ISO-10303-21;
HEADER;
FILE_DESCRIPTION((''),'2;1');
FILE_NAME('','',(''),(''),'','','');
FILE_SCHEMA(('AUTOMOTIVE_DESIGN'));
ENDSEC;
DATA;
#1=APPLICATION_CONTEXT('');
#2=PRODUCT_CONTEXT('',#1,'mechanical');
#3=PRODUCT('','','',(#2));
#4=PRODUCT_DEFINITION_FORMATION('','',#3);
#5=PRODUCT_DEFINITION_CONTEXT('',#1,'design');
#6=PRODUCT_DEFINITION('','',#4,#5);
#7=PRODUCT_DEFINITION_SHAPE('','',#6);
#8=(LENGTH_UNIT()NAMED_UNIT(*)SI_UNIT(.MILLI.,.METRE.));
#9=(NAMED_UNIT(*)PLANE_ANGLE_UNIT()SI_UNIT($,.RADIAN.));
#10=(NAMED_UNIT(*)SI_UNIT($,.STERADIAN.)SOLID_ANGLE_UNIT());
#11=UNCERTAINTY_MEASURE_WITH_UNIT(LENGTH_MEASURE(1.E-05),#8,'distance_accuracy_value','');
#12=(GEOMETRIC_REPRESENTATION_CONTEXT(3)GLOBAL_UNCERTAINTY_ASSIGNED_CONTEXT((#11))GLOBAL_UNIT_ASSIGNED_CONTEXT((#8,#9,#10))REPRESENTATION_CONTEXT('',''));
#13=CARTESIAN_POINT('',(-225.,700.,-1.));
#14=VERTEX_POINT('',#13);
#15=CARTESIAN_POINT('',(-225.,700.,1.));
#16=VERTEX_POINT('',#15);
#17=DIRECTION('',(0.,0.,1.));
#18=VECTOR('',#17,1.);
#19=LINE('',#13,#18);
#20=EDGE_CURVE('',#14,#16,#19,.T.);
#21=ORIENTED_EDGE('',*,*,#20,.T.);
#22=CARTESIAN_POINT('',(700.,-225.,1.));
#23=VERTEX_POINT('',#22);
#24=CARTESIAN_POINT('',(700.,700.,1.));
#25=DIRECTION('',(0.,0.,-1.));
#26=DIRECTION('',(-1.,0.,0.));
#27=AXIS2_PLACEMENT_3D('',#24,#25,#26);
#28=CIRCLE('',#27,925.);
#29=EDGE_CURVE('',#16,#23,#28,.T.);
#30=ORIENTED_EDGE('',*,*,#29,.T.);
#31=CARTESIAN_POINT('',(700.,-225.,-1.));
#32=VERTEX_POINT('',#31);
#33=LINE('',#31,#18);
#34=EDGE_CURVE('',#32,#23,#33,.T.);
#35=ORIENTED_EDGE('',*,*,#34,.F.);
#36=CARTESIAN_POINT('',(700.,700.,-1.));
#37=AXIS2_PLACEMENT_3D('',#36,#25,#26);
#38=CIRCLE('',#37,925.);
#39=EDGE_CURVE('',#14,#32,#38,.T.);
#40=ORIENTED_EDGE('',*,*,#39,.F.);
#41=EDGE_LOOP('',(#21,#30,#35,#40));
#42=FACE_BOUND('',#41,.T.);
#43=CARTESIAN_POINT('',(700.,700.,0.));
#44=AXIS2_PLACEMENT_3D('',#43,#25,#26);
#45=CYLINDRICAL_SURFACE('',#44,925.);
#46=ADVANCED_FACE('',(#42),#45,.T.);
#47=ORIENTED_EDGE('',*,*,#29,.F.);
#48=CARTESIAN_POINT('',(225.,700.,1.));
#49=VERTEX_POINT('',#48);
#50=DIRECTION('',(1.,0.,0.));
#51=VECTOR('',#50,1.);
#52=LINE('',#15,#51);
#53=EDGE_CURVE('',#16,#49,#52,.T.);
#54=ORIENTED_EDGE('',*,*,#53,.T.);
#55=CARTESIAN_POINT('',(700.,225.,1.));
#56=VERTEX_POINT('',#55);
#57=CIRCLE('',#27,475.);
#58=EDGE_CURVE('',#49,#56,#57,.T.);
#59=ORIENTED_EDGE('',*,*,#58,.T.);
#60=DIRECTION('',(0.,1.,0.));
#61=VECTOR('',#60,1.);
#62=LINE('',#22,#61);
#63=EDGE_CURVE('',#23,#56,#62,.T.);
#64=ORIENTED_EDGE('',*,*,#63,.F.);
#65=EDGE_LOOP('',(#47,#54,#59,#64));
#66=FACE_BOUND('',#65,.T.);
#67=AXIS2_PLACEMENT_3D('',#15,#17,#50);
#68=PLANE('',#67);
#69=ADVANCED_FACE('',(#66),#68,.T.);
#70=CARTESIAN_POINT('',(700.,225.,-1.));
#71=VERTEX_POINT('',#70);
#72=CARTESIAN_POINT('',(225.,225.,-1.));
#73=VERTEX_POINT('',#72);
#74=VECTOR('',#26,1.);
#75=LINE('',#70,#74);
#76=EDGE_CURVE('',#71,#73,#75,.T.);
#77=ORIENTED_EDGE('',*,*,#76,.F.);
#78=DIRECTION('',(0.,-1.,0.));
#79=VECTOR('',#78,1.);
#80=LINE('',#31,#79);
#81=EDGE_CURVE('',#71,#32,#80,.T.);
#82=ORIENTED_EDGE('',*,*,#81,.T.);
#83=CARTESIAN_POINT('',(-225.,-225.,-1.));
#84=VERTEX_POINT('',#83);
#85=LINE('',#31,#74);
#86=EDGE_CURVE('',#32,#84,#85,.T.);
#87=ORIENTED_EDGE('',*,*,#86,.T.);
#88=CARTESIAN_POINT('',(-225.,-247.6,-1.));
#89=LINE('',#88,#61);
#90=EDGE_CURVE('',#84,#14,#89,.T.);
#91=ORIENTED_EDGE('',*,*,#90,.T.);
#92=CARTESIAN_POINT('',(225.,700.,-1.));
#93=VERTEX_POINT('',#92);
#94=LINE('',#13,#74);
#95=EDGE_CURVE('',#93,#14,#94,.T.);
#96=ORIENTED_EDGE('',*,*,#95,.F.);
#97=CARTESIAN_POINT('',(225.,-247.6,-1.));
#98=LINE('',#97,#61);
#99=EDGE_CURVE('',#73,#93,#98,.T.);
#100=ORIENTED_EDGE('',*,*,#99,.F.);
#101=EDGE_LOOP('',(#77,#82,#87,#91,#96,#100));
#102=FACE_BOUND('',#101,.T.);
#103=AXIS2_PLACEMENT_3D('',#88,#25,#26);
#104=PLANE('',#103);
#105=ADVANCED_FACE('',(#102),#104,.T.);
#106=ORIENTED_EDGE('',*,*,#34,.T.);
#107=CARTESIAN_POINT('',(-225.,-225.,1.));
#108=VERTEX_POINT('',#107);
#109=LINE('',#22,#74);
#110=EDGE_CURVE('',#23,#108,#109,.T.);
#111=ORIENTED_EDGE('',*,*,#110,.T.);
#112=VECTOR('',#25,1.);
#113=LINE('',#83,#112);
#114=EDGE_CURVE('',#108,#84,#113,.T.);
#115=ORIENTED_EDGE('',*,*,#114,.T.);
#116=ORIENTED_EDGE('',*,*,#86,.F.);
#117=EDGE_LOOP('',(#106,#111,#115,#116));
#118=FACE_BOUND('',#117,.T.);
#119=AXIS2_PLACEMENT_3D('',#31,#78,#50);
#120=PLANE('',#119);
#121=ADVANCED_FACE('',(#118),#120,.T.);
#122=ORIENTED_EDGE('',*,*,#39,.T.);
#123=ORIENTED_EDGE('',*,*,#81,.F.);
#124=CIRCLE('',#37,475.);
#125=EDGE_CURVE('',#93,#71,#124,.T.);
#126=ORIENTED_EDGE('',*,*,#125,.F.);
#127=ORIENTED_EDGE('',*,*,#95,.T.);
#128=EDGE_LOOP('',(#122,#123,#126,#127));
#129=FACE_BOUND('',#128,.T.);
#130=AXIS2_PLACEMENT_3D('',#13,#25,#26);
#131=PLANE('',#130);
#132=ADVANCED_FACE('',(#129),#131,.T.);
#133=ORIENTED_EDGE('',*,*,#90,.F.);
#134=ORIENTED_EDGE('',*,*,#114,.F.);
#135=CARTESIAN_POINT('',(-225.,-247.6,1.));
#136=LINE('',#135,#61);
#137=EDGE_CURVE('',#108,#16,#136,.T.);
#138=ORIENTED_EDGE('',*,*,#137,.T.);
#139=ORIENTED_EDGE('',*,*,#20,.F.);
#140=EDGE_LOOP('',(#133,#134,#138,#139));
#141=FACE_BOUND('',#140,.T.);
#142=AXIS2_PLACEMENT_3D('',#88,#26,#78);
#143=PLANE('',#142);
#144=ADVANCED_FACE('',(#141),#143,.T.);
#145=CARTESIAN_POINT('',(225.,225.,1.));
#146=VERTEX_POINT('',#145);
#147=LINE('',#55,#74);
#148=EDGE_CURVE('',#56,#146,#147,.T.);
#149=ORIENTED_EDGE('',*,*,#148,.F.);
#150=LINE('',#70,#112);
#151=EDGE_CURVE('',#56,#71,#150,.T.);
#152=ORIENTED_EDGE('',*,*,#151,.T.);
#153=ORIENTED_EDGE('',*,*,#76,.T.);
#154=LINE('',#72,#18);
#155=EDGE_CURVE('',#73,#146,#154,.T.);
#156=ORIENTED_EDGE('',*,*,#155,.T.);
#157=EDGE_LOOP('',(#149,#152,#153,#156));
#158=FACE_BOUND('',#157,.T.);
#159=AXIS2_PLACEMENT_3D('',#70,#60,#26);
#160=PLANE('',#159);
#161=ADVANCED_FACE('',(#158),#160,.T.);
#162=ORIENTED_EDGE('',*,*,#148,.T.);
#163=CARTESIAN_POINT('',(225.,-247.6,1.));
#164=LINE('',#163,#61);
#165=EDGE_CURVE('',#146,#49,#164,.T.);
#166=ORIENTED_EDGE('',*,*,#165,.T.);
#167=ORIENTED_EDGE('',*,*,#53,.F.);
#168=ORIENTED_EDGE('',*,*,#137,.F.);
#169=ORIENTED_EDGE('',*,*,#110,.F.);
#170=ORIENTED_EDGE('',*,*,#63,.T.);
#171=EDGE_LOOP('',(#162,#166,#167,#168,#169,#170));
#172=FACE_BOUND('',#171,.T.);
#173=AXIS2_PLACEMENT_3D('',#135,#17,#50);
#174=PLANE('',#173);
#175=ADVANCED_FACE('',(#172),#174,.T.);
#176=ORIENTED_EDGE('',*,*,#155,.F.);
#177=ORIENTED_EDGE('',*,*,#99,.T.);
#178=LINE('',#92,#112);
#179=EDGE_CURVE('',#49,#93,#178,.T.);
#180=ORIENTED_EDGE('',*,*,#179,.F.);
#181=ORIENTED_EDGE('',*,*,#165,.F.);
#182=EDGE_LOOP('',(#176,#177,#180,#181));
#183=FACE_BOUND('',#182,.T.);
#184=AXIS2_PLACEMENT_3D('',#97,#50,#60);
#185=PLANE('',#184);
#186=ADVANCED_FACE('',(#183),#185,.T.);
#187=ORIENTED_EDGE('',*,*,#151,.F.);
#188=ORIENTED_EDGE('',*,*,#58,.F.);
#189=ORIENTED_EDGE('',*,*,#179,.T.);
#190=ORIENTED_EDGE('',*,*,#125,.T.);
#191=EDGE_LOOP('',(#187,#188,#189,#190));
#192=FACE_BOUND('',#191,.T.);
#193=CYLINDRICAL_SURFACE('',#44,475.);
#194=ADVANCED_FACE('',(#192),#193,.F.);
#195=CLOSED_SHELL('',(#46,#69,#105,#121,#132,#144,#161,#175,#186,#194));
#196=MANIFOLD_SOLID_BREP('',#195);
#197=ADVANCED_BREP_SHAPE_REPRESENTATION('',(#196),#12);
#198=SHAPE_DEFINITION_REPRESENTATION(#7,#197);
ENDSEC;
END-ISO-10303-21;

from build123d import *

# Parameters (mm, degrees)
SKETCH_2_W = 450
SKETCH_2_H = 2


with BuildPart() as part:
    # 扫描1: sweep along a path in 草图1
    with BuildLine(Plane.XY) as sweep_1_path:
        Line((0, 0), (0, 700))
        ThreePointArc((0, 700), (1194.974746831, 1194.974746831), (700, 0))
        Line((700, 0), (0, 0))
    # 草图2 → 扫描1 (sweep)
    with BuildSketch(Plane(origin=(0, 0, 0), x_dir=(1, 0, 0), z_dir=(0, 1, 0))):
        Rectangle(SKETCH_2_W, SKETCH_2_H)
    sweep(path=sweep_1_path.line, transition=Transition.RIGHT)


solid = part.part
